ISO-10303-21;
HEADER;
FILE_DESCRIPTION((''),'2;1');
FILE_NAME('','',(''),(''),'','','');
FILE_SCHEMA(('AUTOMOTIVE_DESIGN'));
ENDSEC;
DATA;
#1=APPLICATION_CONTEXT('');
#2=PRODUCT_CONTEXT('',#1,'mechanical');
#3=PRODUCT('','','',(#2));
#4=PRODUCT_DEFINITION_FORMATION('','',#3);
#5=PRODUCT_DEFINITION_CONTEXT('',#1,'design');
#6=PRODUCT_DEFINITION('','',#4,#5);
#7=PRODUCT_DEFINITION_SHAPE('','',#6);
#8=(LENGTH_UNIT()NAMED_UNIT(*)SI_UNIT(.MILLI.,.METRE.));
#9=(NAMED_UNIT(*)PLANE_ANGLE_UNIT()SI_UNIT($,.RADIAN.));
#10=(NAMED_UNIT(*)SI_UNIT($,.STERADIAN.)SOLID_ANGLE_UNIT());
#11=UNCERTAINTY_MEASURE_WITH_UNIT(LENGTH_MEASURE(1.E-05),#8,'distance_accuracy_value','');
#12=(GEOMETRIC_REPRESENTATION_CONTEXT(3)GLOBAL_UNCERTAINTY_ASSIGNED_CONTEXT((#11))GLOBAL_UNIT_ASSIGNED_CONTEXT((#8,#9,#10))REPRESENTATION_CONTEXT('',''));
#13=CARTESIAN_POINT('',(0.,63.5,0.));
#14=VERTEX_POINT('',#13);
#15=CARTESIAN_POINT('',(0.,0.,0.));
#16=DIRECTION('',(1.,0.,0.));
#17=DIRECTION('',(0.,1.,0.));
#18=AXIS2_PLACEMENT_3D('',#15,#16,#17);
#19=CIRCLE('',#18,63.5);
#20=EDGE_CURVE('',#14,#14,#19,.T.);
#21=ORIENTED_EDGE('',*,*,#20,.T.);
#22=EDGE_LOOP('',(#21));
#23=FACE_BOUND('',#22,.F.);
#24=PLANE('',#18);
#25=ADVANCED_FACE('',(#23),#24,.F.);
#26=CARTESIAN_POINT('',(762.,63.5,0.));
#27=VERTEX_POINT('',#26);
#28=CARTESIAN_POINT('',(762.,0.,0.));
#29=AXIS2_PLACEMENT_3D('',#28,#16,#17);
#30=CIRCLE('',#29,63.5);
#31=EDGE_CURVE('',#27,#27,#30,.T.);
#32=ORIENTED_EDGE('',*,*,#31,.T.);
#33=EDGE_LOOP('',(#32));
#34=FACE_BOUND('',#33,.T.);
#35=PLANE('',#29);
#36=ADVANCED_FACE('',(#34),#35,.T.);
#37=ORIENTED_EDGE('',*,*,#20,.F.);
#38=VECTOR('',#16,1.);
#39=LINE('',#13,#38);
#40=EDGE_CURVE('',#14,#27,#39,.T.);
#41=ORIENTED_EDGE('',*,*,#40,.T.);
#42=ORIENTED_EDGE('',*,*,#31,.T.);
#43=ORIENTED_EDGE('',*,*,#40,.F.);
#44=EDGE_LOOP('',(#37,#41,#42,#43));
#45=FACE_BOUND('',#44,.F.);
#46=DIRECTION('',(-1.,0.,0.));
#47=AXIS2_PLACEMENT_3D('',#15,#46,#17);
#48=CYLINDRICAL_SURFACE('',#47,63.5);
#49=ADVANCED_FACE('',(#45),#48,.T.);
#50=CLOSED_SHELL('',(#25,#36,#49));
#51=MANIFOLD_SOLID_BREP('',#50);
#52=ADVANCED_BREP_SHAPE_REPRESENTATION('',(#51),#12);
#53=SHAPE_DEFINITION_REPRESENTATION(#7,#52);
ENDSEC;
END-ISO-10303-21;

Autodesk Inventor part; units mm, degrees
ref_plane "YZ Plane" through (0, 0, 0) normal (1, 0, 0) x (0, 1, 0)
ref_plane "XZ Plane" through (0, 0, 0) normal (0, 1, 0) x (-1, 0, 0)
ref_plane "XY Plane" through (0, 0, 0) normal (0, 0, 1) x (1, 0, 0)
sketch "Sketch1" plane through (0, 0, 0) normal (1, 0, 0) x (0, 1, 0)
  circle A0 centre (0, 0) radius 63.5
  dimension "d0" = 127
extrude "Extrusion1" add sketch "Sketch1" along normal blind 762
properties part number "UndergroundPiping"
